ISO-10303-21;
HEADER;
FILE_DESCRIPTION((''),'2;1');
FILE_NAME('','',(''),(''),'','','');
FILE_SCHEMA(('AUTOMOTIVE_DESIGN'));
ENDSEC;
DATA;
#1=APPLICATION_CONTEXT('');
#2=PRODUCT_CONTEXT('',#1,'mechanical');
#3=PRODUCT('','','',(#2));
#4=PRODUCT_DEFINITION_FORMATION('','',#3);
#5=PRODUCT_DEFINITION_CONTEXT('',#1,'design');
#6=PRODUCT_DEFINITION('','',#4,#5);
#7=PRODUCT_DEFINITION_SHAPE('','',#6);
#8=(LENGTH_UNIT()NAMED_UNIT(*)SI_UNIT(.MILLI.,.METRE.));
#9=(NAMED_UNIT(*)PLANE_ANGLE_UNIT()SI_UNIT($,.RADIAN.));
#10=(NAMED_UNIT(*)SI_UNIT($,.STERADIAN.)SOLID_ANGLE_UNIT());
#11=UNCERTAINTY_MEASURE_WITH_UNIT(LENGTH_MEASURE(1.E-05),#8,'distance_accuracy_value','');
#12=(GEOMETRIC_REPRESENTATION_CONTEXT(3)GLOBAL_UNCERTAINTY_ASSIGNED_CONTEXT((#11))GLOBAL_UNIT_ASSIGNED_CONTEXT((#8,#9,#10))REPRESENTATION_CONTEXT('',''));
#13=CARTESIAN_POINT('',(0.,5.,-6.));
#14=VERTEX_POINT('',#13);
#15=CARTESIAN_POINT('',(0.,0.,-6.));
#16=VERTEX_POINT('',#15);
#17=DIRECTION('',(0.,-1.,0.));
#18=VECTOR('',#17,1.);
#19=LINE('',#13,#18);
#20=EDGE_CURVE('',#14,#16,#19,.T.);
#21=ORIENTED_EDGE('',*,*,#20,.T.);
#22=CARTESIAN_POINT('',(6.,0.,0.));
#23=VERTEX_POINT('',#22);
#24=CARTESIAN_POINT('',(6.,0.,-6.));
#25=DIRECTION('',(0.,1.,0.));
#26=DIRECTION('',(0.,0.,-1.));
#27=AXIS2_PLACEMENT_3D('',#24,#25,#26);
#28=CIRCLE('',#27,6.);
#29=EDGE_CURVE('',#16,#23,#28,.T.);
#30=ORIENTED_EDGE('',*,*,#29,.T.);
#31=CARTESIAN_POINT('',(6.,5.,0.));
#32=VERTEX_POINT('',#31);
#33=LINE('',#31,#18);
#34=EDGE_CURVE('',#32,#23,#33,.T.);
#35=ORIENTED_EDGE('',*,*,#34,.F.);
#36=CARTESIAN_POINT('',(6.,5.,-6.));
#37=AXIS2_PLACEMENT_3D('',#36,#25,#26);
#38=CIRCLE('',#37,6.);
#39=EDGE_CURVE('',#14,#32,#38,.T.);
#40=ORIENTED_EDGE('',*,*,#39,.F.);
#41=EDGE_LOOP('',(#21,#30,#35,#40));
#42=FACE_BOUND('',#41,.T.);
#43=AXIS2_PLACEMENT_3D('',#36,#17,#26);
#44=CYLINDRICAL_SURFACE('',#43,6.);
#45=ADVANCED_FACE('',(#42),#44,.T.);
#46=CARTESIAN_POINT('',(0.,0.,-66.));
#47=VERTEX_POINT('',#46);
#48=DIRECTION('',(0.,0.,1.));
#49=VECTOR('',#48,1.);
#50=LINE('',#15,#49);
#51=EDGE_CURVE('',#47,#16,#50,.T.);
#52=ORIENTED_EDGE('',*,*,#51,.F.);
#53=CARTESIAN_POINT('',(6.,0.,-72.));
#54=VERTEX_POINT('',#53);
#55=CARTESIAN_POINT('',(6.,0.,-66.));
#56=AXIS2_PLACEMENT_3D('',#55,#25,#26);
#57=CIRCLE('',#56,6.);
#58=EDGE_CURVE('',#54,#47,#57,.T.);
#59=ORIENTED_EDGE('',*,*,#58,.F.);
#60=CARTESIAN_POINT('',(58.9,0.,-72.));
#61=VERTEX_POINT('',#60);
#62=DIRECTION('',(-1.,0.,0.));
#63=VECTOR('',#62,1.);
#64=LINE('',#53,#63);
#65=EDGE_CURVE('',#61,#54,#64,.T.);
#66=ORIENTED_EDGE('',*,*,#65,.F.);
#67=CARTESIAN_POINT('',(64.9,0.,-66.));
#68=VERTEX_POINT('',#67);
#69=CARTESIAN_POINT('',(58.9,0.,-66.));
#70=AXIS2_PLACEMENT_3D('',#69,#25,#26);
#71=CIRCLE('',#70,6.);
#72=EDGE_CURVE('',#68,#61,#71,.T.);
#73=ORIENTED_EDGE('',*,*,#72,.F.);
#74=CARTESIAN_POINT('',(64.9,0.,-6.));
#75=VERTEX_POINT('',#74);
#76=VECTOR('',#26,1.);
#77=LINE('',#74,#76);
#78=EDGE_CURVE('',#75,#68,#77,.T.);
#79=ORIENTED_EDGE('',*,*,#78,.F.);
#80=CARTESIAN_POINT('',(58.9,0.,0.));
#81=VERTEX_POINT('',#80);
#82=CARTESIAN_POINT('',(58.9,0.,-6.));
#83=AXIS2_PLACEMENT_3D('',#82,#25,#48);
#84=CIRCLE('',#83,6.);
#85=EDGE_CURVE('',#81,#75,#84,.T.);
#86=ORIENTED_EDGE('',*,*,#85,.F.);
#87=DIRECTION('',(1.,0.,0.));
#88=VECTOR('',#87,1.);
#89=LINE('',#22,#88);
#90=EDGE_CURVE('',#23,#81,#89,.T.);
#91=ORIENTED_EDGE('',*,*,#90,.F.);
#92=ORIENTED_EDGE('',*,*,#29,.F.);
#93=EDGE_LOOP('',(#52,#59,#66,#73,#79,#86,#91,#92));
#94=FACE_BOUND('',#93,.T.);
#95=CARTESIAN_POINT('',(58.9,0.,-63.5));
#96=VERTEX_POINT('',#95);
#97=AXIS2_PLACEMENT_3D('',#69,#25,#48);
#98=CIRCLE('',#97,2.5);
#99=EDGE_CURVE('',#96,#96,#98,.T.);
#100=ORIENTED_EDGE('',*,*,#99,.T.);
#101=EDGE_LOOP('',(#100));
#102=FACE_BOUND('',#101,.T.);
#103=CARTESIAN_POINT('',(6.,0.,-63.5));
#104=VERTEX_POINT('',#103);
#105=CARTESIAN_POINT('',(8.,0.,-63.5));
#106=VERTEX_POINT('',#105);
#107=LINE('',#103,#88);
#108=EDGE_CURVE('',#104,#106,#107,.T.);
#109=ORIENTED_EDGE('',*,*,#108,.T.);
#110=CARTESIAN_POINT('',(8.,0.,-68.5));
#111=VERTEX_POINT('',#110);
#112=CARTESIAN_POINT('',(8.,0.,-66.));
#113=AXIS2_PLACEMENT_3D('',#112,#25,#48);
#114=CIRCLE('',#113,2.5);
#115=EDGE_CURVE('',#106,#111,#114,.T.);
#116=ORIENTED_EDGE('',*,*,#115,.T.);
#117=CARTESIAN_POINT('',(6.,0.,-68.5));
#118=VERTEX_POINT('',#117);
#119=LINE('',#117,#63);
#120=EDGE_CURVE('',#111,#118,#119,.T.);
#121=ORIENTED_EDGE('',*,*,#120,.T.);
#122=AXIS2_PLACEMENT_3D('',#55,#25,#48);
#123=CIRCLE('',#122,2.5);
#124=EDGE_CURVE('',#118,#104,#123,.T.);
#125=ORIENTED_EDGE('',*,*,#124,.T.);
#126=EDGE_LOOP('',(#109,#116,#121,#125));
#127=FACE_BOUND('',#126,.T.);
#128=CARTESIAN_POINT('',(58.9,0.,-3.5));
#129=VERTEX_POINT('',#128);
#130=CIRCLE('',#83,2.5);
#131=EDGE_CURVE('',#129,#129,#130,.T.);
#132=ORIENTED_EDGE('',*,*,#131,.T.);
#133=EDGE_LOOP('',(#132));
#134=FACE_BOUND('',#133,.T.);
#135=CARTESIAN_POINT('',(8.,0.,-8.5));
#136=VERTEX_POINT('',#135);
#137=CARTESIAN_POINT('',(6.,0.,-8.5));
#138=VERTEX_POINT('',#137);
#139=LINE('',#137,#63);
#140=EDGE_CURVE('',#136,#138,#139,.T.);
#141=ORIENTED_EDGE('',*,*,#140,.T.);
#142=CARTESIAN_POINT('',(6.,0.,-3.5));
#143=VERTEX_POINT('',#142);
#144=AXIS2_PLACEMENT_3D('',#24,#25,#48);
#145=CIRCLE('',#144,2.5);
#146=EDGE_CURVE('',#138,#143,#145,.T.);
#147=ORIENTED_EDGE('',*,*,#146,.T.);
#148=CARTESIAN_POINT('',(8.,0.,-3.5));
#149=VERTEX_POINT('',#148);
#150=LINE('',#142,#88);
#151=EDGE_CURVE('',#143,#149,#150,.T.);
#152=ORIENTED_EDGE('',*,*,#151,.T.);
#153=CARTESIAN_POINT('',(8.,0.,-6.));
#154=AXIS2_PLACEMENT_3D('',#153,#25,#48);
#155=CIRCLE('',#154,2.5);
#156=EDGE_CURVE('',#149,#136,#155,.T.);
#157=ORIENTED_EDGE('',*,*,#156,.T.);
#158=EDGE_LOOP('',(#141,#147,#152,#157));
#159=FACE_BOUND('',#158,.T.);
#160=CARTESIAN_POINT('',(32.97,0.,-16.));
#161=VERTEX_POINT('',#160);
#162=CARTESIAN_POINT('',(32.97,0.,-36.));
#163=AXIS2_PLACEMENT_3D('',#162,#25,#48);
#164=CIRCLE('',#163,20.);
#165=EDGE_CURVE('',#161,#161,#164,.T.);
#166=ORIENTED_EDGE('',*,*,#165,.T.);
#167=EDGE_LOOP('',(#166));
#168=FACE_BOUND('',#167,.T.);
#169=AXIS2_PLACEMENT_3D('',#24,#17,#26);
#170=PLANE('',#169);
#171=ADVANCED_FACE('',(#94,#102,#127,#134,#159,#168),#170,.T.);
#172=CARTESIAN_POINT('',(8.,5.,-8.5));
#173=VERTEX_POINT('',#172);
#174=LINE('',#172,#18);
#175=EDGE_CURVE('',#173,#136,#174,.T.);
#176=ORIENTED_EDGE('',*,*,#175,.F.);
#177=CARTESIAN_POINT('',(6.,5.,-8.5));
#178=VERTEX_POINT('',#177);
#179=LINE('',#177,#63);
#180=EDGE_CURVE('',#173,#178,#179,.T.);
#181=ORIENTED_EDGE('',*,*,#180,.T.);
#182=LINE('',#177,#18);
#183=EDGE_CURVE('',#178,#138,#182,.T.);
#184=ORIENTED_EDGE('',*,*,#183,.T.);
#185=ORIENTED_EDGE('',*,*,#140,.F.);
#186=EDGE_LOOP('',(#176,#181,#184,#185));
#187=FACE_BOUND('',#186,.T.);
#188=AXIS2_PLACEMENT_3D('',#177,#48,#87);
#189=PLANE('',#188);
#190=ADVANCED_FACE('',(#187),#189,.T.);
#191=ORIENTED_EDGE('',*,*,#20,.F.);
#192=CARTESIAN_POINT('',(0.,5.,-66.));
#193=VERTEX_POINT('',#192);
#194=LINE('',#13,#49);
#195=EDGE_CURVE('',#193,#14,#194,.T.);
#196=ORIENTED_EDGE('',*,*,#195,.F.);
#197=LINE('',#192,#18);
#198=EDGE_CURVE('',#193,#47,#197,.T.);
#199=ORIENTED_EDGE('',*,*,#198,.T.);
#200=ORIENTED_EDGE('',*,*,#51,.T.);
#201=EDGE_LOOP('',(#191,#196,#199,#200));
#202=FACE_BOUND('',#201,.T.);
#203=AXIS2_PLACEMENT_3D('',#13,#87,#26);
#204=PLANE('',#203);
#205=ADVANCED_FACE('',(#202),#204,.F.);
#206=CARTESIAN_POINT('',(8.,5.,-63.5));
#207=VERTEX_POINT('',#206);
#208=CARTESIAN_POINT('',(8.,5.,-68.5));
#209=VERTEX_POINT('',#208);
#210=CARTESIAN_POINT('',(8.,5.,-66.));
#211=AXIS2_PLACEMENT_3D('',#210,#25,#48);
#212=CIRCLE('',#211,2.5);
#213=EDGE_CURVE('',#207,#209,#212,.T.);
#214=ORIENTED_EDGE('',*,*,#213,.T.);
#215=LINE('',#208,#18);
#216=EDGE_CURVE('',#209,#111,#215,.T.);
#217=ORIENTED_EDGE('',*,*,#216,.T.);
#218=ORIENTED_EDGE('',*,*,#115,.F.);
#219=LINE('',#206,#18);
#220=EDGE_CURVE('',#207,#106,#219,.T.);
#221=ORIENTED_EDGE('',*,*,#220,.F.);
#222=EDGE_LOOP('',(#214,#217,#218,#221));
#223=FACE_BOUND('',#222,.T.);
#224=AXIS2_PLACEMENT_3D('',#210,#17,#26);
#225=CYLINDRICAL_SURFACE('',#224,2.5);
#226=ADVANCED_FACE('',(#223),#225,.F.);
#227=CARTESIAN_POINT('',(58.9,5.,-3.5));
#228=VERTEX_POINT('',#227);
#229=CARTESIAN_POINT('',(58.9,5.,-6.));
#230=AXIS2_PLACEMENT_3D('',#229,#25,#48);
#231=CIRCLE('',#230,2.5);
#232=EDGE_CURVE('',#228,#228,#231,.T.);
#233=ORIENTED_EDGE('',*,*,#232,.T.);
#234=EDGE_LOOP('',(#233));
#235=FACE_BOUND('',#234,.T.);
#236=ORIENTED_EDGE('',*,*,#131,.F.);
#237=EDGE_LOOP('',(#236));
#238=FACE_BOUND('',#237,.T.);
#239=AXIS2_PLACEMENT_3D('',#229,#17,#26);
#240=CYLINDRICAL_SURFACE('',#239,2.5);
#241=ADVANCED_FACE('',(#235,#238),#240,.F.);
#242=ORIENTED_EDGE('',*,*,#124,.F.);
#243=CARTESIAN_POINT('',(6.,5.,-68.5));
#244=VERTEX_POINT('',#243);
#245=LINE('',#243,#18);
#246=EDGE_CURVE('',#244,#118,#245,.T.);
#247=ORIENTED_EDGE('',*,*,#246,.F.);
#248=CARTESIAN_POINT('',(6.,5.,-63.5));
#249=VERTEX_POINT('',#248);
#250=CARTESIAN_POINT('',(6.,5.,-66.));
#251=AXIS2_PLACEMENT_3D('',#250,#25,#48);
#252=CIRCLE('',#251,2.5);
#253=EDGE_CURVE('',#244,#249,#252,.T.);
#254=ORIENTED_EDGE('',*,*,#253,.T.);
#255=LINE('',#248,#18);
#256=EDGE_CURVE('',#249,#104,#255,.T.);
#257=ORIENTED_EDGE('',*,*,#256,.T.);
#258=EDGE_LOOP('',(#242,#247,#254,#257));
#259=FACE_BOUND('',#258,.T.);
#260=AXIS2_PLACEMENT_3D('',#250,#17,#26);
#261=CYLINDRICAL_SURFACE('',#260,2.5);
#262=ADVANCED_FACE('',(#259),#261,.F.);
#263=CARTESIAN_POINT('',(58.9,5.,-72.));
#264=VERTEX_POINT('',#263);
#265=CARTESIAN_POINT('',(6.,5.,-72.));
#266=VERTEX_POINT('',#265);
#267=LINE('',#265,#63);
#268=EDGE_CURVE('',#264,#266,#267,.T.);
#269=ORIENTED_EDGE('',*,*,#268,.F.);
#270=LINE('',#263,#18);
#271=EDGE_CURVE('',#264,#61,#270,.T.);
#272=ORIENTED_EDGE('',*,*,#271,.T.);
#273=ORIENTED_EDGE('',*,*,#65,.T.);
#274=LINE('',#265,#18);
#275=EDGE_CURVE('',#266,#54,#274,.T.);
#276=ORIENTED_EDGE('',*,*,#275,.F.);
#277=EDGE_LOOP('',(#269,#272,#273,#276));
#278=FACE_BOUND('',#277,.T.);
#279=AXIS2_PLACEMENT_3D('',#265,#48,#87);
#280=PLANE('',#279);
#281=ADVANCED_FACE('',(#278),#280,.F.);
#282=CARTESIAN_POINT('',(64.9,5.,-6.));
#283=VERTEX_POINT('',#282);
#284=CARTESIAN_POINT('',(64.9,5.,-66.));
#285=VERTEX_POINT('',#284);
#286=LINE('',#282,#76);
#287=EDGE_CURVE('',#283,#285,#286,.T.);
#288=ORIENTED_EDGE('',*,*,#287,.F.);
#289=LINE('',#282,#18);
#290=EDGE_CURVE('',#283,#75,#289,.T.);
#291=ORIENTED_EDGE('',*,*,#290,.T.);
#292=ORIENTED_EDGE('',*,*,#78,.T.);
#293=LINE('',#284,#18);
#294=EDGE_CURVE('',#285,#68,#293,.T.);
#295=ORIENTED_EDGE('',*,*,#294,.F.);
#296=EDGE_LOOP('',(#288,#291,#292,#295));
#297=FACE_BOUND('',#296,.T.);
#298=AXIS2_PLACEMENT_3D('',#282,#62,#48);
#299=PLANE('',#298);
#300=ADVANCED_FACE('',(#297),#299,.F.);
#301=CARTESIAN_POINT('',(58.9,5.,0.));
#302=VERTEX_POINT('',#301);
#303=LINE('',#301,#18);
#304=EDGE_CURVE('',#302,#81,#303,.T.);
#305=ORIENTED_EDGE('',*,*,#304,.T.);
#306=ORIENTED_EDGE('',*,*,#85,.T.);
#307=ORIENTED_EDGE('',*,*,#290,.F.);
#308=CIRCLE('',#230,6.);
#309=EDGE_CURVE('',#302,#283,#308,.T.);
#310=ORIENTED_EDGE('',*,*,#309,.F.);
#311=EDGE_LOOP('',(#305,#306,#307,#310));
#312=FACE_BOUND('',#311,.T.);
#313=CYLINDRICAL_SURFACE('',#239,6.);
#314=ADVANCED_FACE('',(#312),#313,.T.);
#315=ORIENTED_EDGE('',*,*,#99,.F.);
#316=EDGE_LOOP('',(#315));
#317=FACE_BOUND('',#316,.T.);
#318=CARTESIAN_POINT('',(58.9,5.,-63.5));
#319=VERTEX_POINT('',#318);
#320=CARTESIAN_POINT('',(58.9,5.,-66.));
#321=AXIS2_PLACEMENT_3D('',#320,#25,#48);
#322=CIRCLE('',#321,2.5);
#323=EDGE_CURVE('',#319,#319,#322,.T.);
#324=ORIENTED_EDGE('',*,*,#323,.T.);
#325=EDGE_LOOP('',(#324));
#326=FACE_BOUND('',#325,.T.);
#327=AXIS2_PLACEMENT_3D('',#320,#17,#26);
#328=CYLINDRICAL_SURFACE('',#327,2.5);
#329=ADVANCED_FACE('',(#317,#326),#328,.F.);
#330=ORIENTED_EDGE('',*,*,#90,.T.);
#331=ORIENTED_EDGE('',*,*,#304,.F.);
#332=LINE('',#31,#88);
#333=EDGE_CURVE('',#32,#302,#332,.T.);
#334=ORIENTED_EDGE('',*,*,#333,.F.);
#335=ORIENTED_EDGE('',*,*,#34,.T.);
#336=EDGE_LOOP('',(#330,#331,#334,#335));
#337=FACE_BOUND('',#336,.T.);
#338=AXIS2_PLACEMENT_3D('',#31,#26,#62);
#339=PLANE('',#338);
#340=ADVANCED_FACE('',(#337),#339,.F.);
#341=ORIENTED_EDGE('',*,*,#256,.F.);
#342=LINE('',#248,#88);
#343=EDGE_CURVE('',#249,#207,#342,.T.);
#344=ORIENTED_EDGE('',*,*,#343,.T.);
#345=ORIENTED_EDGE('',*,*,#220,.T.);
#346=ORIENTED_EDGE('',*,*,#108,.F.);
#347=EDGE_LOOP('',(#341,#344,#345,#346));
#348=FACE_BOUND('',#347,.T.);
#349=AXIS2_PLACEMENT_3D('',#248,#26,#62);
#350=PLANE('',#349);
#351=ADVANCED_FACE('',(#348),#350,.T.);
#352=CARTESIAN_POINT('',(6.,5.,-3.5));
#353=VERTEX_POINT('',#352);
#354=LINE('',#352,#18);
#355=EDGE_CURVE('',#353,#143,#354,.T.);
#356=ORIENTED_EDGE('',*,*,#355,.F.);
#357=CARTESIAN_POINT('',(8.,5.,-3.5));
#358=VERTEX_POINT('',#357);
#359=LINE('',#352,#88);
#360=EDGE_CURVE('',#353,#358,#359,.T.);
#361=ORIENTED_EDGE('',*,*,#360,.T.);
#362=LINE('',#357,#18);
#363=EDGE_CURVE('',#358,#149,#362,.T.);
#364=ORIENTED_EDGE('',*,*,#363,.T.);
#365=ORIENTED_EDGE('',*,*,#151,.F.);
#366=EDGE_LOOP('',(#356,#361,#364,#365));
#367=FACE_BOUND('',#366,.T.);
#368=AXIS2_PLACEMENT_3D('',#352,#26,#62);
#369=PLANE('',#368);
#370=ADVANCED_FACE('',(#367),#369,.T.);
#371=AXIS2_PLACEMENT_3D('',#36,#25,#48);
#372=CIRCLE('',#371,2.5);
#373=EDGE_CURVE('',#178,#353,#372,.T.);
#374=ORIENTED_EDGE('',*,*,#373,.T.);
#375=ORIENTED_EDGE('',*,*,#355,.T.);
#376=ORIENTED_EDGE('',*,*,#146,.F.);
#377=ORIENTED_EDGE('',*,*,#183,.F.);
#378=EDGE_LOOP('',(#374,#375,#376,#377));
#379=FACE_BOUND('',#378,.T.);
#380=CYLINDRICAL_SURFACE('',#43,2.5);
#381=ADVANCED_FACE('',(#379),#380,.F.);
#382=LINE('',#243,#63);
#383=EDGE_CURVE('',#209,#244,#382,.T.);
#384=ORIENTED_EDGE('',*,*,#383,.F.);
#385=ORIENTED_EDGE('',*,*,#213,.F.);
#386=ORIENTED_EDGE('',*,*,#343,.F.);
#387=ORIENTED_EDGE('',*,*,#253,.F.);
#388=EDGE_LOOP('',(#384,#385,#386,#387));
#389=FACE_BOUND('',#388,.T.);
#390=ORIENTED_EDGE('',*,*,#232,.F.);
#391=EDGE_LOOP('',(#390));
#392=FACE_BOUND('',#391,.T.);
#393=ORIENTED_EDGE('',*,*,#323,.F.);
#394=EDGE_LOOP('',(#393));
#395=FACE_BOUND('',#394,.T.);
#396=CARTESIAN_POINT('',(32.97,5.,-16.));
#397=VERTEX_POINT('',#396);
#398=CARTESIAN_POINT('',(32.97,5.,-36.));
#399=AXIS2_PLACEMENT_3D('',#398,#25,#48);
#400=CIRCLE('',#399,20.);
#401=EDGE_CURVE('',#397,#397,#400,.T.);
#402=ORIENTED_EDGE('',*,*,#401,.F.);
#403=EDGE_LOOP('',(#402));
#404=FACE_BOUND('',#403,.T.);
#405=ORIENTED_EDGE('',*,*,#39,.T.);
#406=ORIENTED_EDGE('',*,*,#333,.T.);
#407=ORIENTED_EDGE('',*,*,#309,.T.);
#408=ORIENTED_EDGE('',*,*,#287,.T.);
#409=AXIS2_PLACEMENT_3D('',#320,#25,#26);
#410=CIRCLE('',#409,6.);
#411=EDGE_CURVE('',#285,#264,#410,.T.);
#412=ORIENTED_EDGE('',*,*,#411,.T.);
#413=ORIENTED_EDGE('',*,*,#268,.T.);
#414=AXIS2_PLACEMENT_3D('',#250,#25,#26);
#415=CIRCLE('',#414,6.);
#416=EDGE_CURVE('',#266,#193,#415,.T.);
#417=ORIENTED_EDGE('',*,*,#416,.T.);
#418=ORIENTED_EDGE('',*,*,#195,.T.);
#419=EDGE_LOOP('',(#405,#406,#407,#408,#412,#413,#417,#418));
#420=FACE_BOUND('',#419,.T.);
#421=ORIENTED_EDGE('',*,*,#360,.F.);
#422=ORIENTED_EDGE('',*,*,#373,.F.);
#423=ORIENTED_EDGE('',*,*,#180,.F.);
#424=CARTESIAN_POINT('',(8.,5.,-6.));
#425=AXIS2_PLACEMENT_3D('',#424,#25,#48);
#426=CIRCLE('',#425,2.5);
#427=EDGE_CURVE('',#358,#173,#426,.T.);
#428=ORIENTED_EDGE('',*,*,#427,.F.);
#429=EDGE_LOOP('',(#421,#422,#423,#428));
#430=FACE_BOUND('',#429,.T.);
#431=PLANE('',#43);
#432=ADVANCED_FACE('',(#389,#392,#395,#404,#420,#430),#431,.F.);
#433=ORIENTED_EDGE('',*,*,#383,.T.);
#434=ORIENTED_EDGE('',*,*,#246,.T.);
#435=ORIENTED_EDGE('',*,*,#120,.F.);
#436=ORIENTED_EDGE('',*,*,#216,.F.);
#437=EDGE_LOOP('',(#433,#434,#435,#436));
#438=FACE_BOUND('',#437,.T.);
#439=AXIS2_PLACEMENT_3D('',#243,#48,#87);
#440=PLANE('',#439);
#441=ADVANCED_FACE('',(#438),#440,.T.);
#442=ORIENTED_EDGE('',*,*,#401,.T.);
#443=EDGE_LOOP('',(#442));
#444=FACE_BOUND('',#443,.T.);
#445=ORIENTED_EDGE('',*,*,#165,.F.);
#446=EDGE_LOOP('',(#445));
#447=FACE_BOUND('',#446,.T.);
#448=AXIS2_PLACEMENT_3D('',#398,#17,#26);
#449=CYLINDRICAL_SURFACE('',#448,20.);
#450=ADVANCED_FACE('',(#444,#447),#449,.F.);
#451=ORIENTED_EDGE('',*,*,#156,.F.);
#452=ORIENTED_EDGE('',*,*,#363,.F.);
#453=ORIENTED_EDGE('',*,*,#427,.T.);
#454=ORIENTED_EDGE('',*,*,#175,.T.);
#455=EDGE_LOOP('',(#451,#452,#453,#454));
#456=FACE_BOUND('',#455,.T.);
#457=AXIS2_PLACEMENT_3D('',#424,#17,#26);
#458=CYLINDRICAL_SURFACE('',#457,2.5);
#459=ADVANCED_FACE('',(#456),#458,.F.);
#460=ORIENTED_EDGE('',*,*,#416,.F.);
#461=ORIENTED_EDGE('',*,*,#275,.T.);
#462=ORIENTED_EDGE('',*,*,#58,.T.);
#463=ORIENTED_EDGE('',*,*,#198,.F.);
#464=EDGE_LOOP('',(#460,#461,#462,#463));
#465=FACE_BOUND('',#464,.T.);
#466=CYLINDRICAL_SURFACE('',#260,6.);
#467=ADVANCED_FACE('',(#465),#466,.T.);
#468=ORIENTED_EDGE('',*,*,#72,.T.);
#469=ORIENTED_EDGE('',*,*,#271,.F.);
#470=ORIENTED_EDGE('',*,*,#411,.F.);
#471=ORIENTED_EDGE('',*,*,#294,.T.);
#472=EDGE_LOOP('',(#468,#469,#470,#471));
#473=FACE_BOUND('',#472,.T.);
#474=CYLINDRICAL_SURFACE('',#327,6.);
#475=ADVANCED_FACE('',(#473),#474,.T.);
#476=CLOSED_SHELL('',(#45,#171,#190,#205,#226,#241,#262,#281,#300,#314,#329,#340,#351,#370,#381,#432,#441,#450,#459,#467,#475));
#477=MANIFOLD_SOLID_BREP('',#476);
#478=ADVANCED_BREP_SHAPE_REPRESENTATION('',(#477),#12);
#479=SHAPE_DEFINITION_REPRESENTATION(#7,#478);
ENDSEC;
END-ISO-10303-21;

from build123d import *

# Parameters (mm, degrees)
SKETCH1_R           = 2.5
SKETCH1_R_2         = 20
BOSS_EXTRUDE1_DEPTH = 5


with BuildPart() as part:
    # Sketch1 → Boss-Extrude1 (new body)
    with BuildSketch(Plane(origin=(0, 0, 0), x_dir=(1, 0, 0), z_dir=(0, 1, 0))):
        with BuildLine():
            Line((6, 0), (58.9, 0))
            ThreePointArc((58.9, 0), (63.142640687, 1.757359313), (64.9, 6))
            Line((64.9, 6), (64.9, 66))
            ThreePointArc((64.9, 66), (63.142640687, 70.242640687), (58.9, 72))
            Line((58.9, 72), (6, 72))
            ThreePointArc((6, 72), (1.757359313, 70.242640687), (0, 66))
            Line((0, 66), (0, 6))
            ThreePointArc((0, 6), (1.757359313, 1.757359313), (6, 0))
        make_face()
        with Locations((58.9, 66)):
            Circle(SKETCH1_R, mode=Mode.SUBTRACT)
        with Locations((58.9, 6)):
            Circle(SKETCH1_R, mode=Mode.SUBTRACT)
        with Locations((32.97, 36)):
            Circle(SKETCH1_R_2, mode=Mode.SUBTRACT)
        with BuildLine():
            Line((6, 3.5), (8, 3.5))
            ThreePointArc((8, 3.5), (10.5, 6), (8, 8.5))
            Line((8, 8.5), (6, 8.5))
            ThreePointArc((6, 8.5), (3.5, 6), (6, 3.5))
        make_face(mode=Mode.SUBTRACT)
        with BuildLine():
            Line((6, 63.5), (8, 63.5))
            ThreePointArc((8, 63.5), (10.5, 66), (8, 68.5))
            Line((8, 68.5), (6, 68.5))
            ThreePointArc((6, 68.5), (3.5, 66), (6, 63.5))
        make_face(mode=Mode.SUBTRACT)
    extrude(amount=BOSS_EXTRUDE1_DEPTH)


solid = part.part
